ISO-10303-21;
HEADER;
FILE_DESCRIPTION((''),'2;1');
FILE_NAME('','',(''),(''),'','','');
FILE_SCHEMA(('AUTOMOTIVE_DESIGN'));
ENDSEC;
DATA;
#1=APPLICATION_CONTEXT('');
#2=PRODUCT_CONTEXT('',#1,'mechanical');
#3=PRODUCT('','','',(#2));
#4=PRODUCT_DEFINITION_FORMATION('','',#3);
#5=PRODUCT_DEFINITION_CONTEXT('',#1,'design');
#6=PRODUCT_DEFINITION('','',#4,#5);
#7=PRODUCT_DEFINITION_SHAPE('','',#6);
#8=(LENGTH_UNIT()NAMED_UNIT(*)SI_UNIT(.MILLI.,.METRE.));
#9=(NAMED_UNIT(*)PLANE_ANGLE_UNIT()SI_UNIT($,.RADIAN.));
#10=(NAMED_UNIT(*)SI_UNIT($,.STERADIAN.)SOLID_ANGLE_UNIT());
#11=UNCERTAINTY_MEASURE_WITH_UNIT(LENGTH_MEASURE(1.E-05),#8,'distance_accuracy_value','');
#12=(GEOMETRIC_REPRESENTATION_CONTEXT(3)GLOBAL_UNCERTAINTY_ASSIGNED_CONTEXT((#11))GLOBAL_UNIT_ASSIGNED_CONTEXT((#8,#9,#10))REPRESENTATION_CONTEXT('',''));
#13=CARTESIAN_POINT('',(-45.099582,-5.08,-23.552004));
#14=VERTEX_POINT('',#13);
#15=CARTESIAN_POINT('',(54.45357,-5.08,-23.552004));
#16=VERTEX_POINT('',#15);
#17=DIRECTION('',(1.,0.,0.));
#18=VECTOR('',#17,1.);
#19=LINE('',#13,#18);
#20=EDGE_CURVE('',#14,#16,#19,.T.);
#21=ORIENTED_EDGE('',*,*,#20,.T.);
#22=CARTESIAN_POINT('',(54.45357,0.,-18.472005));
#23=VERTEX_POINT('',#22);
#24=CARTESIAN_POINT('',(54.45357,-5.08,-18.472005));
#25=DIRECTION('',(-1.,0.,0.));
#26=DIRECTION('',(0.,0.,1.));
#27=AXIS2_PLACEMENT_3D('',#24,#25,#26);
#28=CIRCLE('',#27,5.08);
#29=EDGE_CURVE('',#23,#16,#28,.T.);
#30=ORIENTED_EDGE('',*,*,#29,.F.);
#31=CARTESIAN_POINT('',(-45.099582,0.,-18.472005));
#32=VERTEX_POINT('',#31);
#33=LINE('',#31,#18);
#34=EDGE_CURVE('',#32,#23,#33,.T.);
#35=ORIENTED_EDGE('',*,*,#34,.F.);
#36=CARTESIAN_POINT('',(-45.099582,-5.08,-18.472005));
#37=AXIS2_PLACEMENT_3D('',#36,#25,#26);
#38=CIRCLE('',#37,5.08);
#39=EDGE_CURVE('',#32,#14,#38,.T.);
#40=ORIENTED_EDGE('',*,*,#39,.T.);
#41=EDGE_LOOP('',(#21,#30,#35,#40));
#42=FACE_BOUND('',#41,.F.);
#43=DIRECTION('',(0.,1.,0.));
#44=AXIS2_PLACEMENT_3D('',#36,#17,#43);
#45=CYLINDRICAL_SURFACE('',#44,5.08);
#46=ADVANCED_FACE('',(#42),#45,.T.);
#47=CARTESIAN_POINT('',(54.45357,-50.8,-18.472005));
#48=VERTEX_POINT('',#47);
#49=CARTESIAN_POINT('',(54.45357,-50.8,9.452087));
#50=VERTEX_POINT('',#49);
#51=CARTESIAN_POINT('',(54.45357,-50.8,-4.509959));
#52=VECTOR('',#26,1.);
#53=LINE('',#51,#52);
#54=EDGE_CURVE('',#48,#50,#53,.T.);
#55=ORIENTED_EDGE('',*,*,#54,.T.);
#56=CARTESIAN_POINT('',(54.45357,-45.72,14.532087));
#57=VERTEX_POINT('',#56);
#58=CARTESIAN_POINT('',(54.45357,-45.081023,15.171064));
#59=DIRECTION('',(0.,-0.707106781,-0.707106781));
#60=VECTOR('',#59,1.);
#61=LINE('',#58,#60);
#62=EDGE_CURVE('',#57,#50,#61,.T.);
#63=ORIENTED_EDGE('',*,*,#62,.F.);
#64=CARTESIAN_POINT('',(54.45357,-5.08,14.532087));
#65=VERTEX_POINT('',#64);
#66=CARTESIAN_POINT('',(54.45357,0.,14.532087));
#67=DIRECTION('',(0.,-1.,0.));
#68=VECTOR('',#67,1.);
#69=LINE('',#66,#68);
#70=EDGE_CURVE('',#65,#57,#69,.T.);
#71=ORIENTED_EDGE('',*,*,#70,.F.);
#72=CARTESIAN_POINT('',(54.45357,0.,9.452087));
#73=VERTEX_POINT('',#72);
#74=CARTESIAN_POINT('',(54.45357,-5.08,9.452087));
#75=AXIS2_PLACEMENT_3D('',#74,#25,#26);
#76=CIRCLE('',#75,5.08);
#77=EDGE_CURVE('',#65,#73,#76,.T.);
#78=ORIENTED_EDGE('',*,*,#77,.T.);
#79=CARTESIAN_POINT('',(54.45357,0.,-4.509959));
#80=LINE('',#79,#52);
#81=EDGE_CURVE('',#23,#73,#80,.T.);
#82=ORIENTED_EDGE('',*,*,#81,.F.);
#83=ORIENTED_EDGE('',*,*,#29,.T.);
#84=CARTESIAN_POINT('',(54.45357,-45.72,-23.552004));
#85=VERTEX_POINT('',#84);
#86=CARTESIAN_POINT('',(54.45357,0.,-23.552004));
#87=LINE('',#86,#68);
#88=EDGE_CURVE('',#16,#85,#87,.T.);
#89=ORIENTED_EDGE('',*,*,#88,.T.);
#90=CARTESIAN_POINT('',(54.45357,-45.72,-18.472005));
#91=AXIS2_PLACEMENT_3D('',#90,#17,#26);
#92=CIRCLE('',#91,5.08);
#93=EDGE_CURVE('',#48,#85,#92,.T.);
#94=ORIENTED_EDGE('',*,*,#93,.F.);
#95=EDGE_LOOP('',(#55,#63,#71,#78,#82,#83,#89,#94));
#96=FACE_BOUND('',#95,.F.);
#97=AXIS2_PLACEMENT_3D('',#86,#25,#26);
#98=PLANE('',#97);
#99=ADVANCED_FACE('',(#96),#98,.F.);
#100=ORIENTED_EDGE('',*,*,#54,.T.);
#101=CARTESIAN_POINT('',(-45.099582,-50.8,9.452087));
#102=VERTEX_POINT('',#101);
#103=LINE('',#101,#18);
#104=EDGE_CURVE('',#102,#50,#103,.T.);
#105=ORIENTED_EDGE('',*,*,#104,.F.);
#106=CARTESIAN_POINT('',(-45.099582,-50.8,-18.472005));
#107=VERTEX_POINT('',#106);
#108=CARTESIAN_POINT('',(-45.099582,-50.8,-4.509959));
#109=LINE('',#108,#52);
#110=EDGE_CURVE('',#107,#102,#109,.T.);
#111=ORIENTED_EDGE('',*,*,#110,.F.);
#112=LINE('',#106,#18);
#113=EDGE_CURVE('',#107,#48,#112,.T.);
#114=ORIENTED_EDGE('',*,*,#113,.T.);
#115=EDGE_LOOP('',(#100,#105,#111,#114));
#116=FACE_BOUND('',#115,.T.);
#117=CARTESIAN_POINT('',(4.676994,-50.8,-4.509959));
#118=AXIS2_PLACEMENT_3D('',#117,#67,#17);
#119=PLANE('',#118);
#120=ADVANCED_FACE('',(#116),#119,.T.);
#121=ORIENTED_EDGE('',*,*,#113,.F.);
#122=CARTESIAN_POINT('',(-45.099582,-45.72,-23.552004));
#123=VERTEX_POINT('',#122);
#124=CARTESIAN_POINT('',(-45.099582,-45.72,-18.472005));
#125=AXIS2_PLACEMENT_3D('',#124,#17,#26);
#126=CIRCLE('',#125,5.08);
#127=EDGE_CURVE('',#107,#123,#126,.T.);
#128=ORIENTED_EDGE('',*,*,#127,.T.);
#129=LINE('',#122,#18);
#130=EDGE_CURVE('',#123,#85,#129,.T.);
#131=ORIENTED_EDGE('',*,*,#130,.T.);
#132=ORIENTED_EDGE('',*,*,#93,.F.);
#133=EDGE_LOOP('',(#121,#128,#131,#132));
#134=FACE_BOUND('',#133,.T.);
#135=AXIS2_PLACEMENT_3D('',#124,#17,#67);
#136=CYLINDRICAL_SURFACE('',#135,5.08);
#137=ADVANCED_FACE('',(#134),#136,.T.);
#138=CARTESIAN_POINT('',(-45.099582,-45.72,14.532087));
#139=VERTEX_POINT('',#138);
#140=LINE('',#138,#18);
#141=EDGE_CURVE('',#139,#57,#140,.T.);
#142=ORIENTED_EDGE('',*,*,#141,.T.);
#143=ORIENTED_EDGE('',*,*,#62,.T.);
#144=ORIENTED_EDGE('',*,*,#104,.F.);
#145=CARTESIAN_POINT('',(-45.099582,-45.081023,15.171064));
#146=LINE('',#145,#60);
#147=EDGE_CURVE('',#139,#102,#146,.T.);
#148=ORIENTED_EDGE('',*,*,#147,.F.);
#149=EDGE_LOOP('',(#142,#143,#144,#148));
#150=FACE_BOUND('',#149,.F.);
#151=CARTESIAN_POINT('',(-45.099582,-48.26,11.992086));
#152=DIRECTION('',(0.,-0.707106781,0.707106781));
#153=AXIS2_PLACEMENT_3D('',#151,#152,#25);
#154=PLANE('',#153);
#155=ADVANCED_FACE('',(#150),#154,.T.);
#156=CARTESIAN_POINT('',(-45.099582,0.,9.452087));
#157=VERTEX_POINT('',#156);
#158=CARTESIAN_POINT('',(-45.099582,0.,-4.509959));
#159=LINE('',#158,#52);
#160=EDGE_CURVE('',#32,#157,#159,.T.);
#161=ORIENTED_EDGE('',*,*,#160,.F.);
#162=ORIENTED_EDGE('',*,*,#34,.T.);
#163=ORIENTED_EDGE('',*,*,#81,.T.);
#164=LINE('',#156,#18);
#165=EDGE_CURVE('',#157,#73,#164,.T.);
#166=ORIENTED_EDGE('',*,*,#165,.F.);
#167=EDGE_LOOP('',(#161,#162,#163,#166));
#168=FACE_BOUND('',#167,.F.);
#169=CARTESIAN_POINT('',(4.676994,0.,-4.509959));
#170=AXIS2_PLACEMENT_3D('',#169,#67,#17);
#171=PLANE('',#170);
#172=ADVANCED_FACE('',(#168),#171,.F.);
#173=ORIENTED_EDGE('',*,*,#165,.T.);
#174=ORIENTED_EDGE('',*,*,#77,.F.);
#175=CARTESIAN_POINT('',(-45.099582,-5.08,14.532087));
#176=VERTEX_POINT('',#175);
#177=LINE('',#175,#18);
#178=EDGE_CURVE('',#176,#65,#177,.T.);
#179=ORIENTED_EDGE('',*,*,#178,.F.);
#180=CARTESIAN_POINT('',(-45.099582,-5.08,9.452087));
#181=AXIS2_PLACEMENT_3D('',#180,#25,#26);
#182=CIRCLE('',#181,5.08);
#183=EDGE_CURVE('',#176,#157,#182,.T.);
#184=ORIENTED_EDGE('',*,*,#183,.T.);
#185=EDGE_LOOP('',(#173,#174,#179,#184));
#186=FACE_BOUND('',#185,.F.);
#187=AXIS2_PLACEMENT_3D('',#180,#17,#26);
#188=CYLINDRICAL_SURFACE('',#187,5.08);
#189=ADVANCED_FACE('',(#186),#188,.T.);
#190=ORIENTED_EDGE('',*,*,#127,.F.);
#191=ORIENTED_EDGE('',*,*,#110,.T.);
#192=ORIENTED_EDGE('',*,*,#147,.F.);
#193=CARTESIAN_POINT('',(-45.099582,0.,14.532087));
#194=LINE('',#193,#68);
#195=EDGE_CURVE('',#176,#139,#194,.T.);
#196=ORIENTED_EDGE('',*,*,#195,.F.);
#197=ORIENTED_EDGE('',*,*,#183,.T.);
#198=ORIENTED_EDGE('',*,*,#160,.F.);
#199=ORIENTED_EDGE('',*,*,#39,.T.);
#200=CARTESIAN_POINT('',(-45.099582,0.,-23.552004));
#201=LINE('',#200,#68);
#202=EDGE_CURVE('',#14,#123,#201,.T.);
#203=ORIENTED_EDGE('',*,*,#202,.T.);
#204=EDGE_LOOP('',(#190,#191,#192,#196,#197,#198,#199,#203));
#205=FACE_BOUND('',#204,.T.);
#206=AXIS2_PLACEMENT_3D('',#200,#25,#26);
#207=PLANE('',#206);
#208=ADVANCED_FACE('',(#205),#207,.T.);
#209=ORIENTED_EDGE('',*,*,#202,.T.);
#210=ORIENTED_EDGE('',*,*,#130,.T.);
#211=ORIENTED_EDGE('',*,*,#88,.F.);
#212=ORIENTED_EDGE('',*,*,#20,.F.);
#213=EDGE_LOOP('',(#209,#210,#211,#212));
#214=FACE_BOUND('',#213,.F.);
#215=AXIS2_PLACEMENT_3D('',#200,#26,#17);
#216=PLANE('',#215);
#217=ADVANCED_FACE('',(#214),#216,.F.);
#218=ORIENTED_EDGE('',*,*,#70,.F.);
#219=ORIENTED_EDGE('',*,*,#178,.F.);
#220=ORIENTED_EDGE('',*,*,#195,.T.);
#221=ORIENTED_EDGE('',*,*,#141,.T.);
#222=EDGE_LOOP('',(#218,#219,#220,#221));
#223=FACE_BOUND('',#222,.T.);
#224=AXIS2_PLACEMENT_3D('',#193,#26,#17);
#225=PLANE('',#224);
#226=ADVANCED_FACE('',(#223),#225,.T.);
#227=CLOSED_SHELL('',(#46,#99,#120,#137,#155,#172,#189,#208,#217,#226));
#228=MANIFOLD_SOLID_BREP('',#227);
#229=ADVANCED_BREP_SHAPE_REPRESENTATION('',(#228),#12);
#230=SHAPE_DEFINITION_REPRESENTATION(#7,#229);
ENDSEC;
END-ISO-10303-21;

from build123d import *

# Parameters (mm, degrees)
F0_W     = 99.553153
F0_H     = 38.084091
F1_DEPTH = 50.8
F2_SIZE  = 5.08
F3_R     = 5.08
F4_R     = 5.08


with BuildPart() as f1:
    # F0 (on Front) → F1 (new body)
    with BuildSketch(Plane.XZ):
        with Locations((4.676994, -4.509959)):
            Rectangle(F0_W, F0_H)
    extrude(amount=F1_DEPTH)

    # F2
    f2_edges = [f1.edges().sort_by_distance(p)[0] for p in [
        (4.676994, -50.8, 14.532087),
    ]]
    chamfer(f2_edges, length=F2_SIZE)

    # F3
    f3_edges = [f1.edges().sort_by_distance(p)[0] for p in [
        (4.676994, 0, 14.532087),
    ]]
    fillet(f3_edges, radius=F3_R)

    # F4
    f4_edges = [f1.edges().sort_by_distance(p)[0] for p in [
        (4.676994, 0, -23.552004),
        (4.676994, -50.8, -23.552004),
    ]]
    fillet(f4_edges, radius=F4_R)


solid = f1.part
